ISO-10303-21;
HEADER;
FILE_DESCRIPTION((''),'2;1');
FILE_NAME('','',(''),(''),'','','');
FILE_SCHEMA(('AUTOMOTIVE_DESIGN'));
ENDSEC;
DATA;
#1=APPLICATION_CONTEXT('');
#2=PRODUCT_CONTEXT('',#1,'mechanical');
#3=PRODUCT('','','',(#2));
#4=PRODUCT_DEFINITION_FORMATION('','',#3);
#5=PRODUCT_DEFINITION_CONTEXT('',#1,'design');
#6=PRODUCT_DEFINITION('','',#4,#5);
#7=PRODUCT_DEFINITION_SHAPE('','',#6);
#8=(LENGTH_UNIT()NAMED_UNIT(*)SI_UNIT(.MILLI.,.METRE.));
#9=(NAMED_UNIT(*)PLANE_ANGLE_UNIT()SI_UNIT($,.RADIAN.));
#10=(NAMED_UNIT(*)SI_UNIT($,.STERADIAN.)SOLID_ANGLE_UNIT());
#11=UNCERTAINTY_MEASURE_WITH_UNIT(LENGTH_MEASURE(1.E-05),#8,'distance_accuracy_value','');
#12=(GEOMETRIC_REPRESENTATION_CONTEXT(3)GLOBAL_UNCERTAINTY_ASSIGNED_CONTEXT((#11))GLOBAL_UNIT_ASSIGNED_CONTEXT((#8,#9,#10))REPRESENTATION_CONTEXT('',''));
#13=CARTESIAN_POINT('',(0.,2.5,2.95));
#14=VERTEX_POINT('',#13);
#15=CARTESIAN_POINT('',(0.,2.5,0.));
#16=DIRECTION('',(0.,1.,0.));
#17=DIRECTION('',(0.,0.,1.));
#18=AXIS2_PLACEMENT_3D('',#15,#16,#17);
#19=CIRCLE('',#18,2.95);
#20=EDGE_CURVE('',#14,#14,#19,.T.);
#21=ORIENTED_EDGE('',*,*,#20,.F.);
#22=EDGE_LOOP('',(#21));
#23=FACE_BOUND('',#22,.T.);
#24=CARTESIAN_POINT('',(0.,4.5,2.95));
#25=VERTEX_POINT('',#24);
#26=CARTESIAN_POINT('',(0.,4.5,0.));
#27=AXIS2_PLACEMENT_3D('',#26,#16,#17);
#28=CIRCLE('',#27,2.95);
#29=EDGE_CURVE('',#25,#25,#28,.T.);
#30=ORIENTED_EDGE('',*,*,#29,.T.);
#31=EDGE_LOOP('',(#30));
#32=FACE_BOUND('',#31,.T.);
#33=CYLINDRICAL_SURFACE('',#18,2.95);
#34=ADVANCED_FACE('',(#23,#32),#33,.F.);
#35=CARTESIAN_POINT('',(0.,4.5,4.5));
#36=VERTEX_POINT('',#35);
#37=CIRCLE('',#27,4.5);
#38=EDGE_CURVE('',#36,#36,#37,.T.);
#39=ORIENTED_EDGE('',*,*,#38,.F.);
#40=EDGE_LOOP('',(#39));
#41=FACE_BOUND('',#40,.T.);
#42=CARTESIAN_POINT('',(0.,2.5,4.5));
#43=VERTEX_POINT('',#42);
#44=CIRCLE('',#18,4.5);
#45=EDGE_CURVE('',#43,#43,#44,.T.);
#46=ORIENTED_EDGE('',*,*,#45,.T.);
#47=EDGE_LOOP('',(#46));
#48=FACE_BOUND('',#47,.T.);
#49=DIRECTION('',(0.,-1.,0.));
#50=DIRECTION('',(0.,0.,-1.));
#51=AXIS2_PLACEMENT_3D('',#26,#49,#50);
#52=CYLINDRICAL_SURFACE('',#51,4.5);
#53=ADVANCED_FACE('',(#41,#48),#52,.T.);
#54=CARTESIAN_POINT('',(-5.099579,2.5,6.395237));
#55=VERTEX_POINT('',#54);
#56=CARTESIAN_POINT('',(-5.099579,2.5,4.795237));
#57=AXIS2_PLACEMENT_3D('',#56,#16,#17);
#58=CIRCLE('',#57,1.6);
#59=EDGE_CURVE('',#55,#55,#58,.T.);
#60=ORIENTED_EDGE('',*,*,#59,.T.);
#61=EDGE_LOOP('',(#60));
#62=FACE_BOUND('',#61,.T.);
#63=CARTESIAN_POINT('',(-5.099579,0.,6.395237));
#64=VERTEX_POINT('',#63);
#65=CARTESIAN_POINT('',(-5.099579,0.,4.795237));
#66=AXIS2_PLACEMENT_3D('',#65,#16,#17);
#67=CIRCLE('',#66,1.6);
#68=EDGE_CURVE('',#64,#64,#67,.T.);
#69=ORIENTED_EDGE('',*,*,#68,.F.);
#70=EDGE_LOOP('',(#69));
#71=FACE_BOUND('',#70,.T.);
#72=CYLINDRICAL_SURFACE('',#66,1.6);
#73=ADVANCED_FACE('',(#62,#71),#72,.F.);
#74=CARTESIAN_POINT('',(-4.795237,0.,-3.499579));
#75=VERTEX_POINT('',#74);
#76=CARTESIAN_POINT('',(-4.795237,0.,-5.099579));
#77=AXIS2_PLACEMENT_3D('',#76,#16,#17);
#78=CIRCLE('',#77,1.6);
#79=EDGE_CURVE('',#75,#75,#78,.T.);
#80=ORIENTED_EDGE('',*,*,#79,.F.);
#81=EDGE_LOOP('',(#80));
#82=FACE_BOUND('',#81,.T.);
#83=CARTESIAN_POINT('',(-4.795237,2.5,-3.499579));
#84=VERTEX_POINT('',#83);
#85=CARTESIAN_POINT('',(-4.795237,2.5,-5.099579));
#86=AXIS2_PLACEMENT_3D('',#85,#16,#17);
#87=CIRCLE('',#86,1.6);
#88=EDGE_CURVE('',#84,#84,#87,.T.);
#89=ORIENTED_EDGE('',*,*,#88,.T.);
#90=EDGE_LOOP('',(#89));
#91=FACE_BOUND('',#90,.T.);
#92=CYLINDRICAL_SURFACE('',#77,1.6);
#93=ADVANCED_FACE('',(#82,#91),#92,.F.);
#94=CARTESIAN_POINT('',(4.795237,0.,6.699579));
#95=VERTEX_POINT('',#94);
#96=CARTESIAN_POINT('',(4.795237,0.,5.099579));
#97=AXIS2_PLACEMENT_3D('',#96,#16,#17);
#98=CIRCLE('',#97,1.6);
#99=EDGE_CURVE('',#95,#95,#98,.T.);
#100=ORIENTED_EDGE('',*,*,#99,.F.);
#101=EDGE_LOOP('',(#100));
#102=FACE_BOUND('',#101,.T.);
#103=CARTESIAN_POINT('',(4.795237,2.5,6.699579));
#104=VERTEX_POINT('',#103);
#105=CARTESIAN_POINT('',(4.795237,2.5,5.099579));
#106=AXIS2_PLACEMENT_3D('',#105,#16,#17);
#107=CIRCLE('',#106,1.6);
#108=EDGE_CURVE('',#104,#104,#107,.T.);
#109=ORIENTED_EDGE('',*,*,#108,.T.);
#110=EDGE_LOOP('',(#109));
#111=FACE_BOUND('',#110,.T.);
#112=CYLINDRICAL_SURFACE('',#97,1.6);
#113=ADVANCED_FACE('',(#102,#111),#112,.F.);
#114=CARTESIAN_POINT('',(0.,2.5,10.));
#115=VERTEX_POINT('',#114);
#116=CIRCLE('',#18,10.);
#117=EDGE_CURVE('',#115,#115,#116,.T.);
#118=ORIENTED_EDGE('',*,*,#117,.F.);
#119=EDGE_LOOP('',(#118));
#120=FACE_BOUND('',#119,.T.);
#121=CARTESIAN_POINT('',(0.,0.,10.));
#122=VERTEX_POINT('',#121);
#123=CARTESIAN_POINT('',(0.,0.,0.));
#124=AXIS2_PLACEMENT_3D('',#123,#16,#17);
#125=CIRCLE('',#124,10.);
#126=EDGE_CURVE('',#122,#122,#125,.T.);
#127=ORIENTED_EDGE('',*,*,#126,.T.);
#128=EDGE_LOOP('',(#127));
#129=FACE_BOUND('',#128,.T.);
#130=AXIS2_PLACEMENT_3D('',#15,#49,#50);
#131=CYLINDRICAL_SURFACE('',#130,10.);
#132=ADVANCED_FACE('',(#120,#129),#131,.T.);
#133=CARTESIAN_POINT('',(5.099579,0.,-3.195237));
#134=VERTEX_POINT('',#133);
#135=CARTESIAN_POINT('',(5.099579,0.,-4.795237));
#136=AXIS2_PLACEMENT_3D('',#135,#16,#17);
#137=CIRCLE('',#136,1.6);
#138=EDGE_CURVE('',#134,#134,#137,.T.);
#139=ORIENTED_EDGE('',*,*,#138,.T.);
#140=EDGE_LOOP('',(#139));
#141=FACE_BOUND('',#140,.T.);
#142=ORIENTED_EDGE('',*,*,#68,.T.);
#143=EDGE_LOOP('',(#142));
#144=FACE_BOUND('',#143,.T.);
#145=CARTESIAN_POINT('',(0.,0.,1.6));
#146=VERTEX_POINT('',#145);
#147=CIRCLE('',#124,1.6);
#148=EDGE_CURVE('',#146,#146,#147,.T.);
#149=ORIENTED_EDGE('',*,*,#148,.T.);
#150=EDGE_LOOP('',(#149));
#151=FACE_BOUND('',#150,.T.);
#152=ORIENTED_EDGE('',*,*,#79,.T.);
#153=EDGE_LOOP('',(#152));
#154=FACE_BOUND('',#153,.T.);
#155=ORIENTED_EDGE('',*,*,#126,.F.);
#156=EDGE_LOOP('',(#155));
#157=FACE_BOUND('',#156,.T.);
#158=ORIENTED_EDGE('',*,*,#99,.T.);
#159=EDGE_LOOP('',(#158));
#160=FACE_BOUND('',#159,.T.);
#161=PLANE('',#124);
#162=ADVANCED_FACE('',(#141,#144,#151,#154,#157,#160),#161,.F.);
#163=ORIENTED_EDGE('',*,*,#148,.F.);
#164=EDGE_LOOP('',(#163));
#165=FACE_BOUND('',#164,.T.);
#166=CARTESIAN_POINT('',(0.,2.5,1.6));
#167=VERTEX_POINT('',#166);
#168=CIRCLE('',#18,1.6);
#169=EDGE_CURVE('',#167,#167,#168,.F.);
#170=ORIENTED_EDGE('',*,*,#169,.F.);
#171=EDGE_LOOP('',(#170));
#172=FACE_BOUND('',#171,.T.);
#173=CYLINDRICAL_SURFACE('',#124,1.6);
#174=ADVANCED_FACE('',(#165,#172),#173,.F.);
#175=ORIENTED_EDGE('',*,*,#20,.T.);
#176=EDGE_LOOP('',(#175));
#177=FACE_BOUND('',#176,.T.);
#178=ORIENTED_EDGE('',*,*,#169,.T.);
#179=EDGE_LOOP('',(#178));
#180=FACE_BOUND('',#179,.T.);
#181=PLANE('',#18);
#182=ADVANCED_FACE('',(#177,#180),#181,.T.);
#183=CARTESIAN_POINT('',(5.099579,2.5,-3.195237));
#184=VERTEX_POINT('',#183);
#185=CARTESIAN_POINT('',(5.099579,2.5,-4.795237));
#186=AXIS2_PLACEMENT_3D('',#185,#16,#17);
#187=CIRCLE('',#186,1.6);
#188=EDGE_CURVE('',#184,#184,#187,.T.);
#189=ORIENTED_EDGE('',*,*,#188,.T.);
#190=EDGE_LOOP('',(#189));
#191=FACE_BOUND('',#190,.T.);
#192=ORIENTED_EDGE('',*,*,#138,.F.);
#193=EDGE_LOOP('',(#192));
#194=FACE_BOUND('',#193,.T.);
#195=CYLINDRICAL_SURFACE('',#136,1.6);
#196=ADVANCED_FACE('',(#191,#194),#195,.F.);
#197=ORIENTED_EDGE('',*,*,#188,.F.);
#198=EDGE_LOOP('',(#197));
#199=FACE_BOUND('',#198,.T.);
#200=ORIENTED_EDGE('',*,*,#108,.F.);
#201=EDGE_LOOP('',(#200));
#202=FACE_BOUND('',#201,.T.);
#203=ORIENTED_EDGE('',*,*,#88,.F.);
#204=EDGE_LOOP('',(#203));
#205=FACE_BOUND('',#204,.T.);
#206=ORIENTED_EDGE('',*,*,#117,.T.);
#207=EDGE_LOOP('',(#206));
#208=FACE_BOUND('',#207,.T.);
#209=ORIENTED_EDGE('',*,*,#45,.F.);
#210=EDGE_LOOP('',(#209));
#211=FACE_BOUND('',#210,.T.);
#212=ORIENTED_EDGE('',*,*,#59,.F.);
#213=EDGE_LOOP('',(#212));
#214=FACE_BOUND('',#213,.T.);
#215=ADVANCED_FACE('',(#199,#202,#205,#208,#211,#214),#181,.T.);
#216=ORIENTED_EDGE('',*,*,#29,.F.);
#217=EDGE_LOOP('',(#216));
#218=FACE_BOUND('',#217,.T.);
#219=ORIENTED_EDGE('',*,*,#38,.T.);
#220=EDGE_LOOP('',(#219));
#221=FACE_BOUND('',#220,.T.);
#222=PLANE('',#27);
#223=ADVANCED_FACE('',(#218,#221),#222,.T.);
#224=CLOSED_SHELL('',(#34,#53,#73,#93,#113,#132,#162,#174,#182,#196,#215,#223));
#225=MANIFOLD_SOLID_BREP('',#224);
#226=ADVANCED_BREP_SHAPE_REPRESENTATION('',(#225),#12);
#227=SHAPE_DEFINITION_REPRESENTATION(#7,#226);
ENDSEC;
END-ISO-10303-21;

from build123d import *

# Parameters (mm, degrees)
SKETCH_1_R          = 10
EXTRUDE_1_DEPTH     = 2.5
SKETCH_3_R          = 1.6
CUT_EXTRUDE_1_DEPTH = 3.5
SKETCH_4_R          = 4.5
EXTRUDE_2_DEPTH     = 2
SKETCH_5_R          = 2.95
CUT_EXTRUDE_2_DEPTH = 2


with BuildPart() as part:
    # 草图1 → 凸台-拉伸1 (new body)
    with BuildSketch(Plane(origin=(0, 0, 0), x_dir=(1, 0, 0), z_dir=(0, 1, 0))):
        Circle(SKETCH_1_R)
    extrude(amount=EXTRUDE_1_DEPTH)

    # 草图3 → 切除-拉伸1 (cut, through all)
    with BuildSketch(Plane(origin=(0, 2.5, 0), x_dir=(1, 0, 0), z_dir=(0, 1, 0))):
        with Locations((-4.795236977, 5.099578643)):
            Circle(SKETCH_3_R)
        with Locations((-5.099578643, -4.795236977)):
            Circle(SKETCH_3_R)
        with Locations((4.795236977, -5.099578643)):
            Circle(SKETCH_3_R)
        with Locations((5.099578643, 4.795236977)):
            Circle(SKETCH_3_R)
        Circle(SKETCH_3_R)
    extrude(amount=-CUT_EXTRUDE_1_DEPTH, mode=Mode.SUBTRACT)

    # 草图4 → 凸台-拉伸2 (add)
    with BuildSketch(Plane(origin=(0, 2.5, 0), x_dir=(1, 0, 0), z_dir=(0, 1, 0))):
        Circle(SKETCH_4_R)
    extrude(amount=EXTRUDE_2_DEPTH)

    # 草图5 → 切除-拉伸2 (cut)
    with BuildSketch(Plane(origin=(0, 4.5, 0), x_dir=(1, 0, 0), z_dir=(0, 1, 0))):
        Circle(SKETCH_5_R)
    extrude(amount=-CUT_EXTRUDE_2_DEPTH, mode=Mode.SUBTRACT)


solid = part.part
